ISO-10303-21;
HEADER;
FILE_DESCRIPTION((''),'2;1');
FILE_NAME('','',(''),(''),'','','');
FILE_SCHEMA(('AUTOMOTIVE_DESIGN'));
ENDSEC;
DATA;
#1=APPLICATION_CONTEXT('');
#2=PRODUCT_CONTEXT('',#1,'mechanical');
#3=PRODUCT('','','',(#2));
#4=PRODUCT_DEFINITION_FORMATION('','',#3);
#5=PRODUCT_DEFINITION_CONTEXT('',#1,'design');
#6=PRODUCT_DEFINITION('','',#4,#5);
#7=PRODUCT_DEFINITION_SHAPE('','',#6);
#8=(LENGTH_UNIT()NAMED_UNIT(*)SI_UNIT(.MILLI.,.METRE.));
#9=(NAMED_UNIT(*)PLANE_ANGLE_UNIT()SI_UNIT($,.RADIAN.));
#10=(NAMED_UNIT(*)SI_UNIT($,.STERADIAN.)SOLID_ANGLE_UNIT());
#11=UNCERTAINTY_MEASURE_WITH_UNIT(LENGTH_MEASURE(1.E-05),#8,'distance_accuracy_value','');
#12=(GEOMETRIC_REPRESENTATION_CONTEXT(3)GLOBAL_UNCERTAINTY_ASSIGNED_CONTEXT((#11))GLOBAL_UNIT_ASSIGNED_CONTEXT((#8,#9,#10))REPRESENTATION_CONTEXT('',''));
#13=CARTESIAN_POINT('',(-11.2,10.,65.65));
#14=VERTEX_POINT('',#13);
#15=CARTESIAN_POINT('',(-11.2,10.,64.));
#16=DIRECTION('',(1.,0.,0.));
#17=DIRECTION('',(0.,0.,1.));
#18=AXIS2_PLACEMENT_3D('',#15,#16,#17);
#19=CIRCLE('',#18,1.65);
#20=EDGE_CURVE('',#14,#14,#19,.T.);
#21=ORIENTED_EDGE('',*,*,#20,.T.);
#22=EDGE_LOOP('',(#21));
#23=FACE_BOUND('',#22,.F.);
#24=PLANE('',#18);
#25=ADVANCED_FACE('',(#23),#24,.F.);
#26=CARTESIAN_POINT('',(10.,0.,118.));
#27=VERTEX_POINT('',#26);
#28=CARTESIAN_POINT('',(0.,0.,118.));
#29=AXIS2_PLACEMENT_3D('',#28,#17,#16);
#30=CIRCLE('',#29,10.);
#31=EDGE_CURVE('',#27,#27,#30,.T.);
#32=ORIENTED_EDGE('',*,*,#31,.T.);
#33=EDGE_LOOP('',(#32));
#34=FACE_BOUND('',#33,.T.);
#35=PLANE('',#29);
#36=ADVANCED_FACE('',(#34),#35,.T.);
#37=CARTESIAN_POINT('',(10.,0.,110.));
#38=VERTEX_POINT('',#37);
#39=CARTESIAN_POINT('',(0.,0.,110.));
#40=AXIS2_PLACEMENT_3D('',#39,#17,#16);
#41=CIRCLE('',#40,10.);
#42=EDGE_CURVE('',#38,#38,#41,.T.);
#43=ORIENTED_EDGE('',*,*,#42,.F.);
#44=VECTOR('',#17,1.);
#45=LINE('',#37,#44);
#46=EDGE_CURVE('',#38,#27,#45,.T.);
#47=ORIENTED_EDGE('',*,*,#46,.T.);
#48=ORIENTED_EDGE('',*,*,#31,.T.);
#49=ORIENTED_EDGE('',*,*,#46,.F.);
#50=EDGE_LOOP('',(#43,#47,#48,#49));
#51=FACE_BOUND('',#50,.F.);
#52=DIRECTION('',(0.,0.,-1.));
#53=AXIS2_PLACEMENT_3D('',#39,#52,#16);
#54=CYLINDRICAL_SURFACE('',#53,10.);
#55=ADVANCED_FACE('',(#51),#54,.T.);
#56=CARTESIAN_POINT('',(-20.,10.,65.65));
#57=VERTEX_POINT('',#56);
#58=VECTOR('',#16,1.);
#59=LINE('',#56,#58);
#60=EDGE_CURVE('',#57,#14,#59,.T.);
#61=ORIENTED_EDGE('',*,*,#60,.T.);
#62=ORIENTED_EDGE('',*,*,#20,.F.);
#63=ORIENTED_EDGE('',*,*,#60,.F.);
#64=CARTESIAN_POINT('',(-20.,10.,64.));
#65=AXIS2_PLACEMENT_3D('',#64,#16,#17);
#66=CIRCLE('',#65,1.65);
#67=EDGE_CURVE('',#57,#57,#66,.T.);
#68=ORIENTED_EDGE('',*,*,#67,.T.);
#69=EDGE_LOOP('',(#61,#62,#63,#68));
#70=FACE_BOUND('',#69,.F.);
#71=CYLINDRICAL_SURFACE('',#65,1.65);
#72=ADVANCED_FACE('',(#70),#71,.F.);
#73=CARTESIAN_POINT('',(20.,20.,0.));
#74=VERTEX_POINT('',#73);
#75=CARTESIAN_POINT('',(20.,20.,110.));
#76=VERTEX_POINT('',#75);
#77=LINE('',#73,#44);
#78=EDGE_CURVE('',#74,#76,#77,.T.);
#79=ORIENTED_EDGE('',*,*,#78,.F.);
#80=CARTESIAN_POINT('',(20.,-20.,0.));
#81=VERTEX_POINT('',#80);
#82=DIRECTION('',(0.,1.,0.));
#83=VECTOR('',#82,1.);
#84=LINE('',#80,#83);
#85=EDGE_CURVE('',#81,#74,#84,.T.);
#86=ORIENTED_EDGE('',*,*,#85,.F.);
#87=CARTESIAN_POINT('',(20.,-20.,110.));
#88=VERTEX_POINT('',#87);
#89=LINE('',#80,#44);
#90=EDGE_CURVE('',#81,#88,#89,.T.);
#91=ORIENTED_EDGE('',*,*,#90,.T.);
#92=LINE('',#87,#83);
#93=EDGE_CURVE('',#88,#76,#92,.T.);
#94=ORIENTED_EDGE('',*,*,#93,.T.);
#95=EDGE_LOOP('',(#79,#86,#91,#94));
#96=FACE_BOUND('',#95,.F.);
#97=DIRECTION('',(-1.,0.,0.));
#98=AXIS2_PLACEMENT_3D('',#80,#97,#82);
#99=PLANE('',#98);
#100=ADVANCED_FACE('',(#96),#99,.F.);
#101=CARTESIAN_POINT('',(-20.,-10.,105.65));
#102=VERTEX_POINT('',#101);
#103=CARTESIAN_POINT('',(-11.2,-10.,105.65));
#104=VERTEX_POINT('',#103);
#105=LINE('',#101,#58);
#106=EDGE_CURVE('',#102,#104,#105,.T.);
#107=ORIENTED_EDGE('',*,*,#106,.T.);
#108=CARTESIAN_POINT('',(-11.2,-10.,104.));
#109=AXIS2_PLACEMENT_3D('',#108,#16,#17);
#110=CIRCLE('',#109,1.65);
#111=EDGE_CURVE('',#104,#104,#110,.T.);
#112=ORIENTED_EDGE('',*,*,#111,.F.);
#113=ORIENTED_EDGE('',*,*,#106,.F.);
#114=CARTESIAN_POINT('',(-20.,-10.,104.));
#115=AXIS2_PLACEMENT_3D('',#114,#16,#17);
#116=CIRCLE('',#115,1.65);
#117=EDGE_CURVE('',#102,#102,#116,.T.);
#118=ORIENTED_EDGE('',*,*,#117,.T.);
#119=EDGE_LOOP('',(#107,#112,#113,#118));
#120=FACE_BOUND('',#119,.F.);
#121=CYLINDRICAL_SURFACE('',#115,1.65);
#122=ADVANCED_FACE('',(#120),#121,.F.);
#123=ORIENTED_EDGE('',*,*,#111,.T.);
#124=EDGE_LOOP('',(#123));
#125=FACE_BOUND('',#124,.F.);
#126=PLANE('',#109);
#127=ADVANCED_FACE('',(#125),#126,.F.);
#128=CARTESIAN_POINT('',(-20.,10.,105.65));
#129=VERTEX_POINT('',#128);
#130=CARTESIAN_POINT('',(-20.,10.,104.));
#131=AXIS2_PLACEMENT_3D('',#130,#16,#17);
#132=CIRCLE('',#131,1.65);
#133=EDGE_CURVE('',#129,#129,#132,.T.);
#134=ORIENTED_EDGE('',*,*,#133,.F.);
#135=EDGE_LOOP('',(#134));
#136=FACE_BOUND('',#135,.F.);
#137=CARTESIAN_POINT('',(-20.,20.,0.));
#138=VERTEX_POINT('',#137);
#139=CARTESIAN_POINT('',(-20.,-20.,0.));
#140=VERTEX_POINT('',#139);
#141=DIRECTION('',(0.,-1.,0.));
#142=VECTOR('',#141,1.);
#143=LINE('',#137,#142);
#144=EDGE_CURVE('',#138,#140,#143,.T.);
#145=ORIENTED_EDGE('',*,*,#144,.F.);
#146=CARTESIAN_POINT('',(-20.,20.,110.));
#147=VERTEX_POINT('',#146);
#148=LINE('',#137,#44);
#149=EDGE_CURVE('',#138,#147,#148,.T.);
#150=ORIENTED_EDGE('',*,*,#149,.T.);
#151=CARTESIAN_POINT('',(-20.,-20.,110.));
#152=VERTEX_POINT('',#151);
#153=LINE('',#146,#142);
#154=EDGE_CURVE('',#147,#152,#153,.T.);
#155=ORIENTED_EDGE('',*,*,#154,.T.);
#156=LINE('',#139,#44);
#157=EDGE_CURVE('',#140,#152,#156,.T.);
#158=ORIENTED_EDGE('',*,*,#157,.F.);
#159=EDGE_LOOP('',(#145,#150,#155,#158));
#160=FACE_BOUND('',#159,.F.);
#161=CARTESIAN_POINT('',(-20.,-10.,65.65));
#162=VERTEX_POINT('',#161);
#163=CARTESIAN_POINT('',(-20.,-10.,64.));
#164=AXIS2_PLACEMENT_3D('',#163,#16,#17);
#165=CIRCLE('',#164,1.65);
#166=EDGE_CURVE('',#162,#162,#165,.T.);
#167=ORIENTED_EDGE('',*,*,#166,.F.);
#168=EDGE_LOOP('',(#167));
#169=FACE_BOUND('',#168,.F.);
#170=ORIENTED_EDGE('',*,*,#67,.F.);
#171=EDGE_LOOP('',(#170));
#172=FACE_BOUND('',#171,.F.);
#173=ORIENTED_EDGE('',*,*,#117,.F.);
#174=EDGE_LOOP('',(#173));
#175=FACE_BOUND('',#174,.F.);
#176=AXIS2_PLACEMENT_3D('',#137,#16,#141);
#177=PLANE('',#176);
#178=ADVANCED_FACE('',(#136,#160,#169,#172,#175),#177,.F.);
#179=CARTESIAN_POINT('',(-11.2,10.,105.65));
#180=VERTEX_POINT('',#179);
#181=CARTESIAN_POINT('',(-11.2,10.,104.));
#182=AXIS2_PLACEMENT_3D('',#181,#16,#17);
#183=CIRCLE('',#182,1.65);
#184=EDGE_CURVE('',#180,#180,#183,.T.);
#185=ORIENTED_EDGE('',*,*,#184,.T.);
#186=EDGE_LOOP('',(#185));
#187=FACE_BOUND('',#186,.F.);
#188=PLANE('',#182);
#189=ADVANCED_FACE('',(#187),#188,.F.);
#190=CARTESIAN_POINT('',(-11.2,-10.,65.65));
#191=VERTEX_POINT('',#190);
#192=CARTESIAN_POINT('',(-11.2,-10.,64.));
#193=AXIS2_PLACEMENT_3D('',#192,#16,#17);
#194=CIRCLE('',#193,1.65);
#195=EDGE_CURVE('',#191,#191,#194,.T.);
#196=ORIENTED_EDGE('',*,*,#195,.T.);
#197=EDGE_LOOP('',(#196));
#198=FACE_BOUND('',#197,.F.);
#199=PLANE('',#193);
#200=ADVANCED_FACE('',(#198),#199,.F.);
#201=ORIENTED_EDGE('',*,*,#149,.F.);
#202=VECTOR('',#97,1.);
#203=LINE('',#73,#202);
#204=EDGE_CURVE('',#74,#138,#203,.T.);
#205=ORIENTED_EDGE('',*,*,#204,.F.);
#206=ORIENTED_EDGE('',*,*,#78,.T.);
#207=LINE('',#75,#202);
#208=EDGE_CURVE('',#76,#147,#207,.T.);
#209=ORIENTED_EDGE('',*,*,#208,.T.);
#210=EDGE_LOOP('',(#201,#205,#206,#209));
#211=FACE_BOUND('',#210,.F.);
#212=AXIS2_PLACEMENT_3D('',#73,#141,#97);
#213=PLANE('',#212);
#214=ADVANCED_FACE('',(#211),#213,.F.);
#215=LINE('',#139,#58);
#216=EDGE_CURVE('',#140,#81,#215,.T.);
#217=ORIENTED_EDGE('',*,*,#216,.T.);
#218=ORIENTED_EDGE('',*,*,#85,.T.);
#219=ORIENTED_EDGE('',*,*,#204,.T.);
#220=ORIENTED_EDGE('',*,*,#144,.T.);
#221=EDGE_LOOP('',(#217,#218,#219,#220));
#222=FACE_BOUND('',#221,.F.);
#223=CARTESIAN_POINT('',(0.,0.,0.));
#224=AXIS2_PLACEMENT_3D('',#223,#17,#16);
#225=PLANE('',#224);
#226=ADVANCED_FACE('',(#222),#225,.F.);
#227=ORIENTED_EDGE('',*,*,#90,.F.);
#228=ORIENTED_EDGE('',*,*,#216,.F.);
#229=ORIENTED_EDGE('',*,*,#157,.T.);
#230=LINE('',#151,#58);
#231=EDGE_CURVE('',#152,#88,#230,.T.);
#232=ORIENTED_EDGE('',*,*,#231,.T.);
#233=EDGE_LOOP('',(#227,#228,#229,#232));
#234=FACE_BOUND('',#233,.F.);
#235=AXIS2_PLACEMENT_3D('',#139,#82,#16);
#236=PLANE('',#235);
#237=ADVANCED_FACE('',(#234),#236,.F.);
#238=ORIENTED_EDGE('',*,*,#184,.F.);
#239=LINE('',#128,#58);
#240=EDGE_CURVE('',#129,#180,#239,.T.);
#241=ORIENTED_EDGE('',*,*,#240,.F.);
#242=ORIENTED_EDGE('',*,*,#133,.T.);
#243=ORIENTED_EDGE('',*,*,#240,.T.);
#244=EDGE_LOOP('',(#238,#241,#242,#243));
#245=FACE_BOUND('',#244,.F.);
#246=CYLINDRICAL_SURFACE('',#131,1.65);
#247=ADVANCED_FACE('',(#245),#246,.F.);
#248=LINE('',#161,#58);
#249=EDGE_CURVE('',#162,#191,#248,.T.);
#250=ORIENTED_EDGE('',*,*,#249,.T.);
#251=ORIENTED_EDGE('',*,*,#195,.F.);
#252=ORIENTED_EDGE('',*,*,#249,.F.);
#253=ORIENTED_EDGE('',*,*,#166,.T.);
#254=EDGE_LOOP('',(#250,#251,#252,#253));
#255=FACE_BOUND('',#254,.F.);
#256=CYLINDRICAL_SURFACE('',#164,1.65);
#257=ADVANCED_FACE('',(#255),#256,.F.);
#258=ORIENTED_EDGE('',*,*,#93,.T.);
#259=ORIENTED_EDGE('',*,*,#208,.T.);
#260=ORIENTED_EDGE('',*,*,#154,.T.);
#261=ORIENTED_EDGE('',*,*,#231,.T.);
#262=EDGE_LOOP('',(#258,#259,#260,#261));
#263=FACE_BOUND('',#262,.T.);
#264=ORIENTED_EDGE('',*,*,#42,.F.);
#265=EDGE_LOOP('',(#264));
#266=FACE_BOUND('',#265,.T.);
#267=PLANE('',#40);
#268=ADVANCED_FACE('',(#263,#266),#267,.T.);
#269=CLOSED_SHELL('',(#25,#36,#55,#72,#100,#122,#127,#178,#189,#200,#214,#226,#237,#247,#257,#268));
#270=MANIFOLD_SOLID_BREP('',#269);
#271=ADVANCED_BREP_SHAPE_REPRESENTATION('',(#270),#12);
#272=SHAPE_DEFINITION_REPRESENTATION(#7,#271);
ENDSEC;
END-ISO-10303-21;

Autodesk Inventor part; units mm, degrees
ref_plane "YZ Plane" through (0, 0, 0) normal (1, 0, 0) x (0, 1, 0)
ref_plane "XZ Plane" through (0, 0, 0) normal (0, 1, 0) x (-1, 0, 0)
ref_plane "XY Plane" through (0, 0, 0) normal (0, 0, 1) x (1, 0, 0)
sketch "スケッチ1" plane through (0, 0, 0) normal (0, 0, 1) x (1, 0, 0)
  line L0 (-20, -20) -> (20, -20)
  line L1 (20, -20) -> (20, 20)
  line L2 (20, 20) -> (-20, 20)
  line L3 (-20, 20) -> (-20, -20)
  line L4 (-20, -20) -> (20, 20) construction
  line L5 (20, -20) -> (-20, 20) construction
  point P0 (0, 0)
  dimension "d0" = 40
  dimension "d1" = 40
extrude "押し出し1" add sketch "スケッチ1" along normal blind 110
sketch "スケッチ2" plane through (0, 0, 110) normal (0, 0, 1) x (1, 0, 0)
  circle A0 centre (0, 0) radius 10
  dimension "d4" = 20
extrude "押し出し2" add sketch "スケッチ2" along normal blind 8
sketch "スケッチ3" plane through (-20, -20, 0) normal (-1, 0, 0) x (0, 0, 1)
  line L0 (0, 40) -> (0, 0) projected
  line L1 (0, 0) -> (110, 0) projected
  line L2 (110, 40) -> (110, 0) projected
  line L3 (0, 40) -> (110, 40) projected
  line L4 (64, 10) -> (104, 10)
  line L5 (104, 10) -> (104, 30)
  line L6 (104, 30) -> (64, 30)
  line L7 (64, 30) -> (64, 10)
  line L8 (64, 10) -> (104, 30) construction
  line L9 (104, 10) -> (64, 30) construction
  point P0 (0, 20)
  point P1 (84, 20)
  point P2 (0, 20)
  point P3 (84, 20)
  dimension "d7" = 20
  dimension "d8" = 40
  dimension "d9" = 6
hole "穴1" at (-20, 10, 64) at (-20, -10, 64) at (-20, -10, 104) at (-20, 10, 104) direction (1, 0, 0) diameter 3.3 depth 8.8
properties part number "Diode_Laser"
